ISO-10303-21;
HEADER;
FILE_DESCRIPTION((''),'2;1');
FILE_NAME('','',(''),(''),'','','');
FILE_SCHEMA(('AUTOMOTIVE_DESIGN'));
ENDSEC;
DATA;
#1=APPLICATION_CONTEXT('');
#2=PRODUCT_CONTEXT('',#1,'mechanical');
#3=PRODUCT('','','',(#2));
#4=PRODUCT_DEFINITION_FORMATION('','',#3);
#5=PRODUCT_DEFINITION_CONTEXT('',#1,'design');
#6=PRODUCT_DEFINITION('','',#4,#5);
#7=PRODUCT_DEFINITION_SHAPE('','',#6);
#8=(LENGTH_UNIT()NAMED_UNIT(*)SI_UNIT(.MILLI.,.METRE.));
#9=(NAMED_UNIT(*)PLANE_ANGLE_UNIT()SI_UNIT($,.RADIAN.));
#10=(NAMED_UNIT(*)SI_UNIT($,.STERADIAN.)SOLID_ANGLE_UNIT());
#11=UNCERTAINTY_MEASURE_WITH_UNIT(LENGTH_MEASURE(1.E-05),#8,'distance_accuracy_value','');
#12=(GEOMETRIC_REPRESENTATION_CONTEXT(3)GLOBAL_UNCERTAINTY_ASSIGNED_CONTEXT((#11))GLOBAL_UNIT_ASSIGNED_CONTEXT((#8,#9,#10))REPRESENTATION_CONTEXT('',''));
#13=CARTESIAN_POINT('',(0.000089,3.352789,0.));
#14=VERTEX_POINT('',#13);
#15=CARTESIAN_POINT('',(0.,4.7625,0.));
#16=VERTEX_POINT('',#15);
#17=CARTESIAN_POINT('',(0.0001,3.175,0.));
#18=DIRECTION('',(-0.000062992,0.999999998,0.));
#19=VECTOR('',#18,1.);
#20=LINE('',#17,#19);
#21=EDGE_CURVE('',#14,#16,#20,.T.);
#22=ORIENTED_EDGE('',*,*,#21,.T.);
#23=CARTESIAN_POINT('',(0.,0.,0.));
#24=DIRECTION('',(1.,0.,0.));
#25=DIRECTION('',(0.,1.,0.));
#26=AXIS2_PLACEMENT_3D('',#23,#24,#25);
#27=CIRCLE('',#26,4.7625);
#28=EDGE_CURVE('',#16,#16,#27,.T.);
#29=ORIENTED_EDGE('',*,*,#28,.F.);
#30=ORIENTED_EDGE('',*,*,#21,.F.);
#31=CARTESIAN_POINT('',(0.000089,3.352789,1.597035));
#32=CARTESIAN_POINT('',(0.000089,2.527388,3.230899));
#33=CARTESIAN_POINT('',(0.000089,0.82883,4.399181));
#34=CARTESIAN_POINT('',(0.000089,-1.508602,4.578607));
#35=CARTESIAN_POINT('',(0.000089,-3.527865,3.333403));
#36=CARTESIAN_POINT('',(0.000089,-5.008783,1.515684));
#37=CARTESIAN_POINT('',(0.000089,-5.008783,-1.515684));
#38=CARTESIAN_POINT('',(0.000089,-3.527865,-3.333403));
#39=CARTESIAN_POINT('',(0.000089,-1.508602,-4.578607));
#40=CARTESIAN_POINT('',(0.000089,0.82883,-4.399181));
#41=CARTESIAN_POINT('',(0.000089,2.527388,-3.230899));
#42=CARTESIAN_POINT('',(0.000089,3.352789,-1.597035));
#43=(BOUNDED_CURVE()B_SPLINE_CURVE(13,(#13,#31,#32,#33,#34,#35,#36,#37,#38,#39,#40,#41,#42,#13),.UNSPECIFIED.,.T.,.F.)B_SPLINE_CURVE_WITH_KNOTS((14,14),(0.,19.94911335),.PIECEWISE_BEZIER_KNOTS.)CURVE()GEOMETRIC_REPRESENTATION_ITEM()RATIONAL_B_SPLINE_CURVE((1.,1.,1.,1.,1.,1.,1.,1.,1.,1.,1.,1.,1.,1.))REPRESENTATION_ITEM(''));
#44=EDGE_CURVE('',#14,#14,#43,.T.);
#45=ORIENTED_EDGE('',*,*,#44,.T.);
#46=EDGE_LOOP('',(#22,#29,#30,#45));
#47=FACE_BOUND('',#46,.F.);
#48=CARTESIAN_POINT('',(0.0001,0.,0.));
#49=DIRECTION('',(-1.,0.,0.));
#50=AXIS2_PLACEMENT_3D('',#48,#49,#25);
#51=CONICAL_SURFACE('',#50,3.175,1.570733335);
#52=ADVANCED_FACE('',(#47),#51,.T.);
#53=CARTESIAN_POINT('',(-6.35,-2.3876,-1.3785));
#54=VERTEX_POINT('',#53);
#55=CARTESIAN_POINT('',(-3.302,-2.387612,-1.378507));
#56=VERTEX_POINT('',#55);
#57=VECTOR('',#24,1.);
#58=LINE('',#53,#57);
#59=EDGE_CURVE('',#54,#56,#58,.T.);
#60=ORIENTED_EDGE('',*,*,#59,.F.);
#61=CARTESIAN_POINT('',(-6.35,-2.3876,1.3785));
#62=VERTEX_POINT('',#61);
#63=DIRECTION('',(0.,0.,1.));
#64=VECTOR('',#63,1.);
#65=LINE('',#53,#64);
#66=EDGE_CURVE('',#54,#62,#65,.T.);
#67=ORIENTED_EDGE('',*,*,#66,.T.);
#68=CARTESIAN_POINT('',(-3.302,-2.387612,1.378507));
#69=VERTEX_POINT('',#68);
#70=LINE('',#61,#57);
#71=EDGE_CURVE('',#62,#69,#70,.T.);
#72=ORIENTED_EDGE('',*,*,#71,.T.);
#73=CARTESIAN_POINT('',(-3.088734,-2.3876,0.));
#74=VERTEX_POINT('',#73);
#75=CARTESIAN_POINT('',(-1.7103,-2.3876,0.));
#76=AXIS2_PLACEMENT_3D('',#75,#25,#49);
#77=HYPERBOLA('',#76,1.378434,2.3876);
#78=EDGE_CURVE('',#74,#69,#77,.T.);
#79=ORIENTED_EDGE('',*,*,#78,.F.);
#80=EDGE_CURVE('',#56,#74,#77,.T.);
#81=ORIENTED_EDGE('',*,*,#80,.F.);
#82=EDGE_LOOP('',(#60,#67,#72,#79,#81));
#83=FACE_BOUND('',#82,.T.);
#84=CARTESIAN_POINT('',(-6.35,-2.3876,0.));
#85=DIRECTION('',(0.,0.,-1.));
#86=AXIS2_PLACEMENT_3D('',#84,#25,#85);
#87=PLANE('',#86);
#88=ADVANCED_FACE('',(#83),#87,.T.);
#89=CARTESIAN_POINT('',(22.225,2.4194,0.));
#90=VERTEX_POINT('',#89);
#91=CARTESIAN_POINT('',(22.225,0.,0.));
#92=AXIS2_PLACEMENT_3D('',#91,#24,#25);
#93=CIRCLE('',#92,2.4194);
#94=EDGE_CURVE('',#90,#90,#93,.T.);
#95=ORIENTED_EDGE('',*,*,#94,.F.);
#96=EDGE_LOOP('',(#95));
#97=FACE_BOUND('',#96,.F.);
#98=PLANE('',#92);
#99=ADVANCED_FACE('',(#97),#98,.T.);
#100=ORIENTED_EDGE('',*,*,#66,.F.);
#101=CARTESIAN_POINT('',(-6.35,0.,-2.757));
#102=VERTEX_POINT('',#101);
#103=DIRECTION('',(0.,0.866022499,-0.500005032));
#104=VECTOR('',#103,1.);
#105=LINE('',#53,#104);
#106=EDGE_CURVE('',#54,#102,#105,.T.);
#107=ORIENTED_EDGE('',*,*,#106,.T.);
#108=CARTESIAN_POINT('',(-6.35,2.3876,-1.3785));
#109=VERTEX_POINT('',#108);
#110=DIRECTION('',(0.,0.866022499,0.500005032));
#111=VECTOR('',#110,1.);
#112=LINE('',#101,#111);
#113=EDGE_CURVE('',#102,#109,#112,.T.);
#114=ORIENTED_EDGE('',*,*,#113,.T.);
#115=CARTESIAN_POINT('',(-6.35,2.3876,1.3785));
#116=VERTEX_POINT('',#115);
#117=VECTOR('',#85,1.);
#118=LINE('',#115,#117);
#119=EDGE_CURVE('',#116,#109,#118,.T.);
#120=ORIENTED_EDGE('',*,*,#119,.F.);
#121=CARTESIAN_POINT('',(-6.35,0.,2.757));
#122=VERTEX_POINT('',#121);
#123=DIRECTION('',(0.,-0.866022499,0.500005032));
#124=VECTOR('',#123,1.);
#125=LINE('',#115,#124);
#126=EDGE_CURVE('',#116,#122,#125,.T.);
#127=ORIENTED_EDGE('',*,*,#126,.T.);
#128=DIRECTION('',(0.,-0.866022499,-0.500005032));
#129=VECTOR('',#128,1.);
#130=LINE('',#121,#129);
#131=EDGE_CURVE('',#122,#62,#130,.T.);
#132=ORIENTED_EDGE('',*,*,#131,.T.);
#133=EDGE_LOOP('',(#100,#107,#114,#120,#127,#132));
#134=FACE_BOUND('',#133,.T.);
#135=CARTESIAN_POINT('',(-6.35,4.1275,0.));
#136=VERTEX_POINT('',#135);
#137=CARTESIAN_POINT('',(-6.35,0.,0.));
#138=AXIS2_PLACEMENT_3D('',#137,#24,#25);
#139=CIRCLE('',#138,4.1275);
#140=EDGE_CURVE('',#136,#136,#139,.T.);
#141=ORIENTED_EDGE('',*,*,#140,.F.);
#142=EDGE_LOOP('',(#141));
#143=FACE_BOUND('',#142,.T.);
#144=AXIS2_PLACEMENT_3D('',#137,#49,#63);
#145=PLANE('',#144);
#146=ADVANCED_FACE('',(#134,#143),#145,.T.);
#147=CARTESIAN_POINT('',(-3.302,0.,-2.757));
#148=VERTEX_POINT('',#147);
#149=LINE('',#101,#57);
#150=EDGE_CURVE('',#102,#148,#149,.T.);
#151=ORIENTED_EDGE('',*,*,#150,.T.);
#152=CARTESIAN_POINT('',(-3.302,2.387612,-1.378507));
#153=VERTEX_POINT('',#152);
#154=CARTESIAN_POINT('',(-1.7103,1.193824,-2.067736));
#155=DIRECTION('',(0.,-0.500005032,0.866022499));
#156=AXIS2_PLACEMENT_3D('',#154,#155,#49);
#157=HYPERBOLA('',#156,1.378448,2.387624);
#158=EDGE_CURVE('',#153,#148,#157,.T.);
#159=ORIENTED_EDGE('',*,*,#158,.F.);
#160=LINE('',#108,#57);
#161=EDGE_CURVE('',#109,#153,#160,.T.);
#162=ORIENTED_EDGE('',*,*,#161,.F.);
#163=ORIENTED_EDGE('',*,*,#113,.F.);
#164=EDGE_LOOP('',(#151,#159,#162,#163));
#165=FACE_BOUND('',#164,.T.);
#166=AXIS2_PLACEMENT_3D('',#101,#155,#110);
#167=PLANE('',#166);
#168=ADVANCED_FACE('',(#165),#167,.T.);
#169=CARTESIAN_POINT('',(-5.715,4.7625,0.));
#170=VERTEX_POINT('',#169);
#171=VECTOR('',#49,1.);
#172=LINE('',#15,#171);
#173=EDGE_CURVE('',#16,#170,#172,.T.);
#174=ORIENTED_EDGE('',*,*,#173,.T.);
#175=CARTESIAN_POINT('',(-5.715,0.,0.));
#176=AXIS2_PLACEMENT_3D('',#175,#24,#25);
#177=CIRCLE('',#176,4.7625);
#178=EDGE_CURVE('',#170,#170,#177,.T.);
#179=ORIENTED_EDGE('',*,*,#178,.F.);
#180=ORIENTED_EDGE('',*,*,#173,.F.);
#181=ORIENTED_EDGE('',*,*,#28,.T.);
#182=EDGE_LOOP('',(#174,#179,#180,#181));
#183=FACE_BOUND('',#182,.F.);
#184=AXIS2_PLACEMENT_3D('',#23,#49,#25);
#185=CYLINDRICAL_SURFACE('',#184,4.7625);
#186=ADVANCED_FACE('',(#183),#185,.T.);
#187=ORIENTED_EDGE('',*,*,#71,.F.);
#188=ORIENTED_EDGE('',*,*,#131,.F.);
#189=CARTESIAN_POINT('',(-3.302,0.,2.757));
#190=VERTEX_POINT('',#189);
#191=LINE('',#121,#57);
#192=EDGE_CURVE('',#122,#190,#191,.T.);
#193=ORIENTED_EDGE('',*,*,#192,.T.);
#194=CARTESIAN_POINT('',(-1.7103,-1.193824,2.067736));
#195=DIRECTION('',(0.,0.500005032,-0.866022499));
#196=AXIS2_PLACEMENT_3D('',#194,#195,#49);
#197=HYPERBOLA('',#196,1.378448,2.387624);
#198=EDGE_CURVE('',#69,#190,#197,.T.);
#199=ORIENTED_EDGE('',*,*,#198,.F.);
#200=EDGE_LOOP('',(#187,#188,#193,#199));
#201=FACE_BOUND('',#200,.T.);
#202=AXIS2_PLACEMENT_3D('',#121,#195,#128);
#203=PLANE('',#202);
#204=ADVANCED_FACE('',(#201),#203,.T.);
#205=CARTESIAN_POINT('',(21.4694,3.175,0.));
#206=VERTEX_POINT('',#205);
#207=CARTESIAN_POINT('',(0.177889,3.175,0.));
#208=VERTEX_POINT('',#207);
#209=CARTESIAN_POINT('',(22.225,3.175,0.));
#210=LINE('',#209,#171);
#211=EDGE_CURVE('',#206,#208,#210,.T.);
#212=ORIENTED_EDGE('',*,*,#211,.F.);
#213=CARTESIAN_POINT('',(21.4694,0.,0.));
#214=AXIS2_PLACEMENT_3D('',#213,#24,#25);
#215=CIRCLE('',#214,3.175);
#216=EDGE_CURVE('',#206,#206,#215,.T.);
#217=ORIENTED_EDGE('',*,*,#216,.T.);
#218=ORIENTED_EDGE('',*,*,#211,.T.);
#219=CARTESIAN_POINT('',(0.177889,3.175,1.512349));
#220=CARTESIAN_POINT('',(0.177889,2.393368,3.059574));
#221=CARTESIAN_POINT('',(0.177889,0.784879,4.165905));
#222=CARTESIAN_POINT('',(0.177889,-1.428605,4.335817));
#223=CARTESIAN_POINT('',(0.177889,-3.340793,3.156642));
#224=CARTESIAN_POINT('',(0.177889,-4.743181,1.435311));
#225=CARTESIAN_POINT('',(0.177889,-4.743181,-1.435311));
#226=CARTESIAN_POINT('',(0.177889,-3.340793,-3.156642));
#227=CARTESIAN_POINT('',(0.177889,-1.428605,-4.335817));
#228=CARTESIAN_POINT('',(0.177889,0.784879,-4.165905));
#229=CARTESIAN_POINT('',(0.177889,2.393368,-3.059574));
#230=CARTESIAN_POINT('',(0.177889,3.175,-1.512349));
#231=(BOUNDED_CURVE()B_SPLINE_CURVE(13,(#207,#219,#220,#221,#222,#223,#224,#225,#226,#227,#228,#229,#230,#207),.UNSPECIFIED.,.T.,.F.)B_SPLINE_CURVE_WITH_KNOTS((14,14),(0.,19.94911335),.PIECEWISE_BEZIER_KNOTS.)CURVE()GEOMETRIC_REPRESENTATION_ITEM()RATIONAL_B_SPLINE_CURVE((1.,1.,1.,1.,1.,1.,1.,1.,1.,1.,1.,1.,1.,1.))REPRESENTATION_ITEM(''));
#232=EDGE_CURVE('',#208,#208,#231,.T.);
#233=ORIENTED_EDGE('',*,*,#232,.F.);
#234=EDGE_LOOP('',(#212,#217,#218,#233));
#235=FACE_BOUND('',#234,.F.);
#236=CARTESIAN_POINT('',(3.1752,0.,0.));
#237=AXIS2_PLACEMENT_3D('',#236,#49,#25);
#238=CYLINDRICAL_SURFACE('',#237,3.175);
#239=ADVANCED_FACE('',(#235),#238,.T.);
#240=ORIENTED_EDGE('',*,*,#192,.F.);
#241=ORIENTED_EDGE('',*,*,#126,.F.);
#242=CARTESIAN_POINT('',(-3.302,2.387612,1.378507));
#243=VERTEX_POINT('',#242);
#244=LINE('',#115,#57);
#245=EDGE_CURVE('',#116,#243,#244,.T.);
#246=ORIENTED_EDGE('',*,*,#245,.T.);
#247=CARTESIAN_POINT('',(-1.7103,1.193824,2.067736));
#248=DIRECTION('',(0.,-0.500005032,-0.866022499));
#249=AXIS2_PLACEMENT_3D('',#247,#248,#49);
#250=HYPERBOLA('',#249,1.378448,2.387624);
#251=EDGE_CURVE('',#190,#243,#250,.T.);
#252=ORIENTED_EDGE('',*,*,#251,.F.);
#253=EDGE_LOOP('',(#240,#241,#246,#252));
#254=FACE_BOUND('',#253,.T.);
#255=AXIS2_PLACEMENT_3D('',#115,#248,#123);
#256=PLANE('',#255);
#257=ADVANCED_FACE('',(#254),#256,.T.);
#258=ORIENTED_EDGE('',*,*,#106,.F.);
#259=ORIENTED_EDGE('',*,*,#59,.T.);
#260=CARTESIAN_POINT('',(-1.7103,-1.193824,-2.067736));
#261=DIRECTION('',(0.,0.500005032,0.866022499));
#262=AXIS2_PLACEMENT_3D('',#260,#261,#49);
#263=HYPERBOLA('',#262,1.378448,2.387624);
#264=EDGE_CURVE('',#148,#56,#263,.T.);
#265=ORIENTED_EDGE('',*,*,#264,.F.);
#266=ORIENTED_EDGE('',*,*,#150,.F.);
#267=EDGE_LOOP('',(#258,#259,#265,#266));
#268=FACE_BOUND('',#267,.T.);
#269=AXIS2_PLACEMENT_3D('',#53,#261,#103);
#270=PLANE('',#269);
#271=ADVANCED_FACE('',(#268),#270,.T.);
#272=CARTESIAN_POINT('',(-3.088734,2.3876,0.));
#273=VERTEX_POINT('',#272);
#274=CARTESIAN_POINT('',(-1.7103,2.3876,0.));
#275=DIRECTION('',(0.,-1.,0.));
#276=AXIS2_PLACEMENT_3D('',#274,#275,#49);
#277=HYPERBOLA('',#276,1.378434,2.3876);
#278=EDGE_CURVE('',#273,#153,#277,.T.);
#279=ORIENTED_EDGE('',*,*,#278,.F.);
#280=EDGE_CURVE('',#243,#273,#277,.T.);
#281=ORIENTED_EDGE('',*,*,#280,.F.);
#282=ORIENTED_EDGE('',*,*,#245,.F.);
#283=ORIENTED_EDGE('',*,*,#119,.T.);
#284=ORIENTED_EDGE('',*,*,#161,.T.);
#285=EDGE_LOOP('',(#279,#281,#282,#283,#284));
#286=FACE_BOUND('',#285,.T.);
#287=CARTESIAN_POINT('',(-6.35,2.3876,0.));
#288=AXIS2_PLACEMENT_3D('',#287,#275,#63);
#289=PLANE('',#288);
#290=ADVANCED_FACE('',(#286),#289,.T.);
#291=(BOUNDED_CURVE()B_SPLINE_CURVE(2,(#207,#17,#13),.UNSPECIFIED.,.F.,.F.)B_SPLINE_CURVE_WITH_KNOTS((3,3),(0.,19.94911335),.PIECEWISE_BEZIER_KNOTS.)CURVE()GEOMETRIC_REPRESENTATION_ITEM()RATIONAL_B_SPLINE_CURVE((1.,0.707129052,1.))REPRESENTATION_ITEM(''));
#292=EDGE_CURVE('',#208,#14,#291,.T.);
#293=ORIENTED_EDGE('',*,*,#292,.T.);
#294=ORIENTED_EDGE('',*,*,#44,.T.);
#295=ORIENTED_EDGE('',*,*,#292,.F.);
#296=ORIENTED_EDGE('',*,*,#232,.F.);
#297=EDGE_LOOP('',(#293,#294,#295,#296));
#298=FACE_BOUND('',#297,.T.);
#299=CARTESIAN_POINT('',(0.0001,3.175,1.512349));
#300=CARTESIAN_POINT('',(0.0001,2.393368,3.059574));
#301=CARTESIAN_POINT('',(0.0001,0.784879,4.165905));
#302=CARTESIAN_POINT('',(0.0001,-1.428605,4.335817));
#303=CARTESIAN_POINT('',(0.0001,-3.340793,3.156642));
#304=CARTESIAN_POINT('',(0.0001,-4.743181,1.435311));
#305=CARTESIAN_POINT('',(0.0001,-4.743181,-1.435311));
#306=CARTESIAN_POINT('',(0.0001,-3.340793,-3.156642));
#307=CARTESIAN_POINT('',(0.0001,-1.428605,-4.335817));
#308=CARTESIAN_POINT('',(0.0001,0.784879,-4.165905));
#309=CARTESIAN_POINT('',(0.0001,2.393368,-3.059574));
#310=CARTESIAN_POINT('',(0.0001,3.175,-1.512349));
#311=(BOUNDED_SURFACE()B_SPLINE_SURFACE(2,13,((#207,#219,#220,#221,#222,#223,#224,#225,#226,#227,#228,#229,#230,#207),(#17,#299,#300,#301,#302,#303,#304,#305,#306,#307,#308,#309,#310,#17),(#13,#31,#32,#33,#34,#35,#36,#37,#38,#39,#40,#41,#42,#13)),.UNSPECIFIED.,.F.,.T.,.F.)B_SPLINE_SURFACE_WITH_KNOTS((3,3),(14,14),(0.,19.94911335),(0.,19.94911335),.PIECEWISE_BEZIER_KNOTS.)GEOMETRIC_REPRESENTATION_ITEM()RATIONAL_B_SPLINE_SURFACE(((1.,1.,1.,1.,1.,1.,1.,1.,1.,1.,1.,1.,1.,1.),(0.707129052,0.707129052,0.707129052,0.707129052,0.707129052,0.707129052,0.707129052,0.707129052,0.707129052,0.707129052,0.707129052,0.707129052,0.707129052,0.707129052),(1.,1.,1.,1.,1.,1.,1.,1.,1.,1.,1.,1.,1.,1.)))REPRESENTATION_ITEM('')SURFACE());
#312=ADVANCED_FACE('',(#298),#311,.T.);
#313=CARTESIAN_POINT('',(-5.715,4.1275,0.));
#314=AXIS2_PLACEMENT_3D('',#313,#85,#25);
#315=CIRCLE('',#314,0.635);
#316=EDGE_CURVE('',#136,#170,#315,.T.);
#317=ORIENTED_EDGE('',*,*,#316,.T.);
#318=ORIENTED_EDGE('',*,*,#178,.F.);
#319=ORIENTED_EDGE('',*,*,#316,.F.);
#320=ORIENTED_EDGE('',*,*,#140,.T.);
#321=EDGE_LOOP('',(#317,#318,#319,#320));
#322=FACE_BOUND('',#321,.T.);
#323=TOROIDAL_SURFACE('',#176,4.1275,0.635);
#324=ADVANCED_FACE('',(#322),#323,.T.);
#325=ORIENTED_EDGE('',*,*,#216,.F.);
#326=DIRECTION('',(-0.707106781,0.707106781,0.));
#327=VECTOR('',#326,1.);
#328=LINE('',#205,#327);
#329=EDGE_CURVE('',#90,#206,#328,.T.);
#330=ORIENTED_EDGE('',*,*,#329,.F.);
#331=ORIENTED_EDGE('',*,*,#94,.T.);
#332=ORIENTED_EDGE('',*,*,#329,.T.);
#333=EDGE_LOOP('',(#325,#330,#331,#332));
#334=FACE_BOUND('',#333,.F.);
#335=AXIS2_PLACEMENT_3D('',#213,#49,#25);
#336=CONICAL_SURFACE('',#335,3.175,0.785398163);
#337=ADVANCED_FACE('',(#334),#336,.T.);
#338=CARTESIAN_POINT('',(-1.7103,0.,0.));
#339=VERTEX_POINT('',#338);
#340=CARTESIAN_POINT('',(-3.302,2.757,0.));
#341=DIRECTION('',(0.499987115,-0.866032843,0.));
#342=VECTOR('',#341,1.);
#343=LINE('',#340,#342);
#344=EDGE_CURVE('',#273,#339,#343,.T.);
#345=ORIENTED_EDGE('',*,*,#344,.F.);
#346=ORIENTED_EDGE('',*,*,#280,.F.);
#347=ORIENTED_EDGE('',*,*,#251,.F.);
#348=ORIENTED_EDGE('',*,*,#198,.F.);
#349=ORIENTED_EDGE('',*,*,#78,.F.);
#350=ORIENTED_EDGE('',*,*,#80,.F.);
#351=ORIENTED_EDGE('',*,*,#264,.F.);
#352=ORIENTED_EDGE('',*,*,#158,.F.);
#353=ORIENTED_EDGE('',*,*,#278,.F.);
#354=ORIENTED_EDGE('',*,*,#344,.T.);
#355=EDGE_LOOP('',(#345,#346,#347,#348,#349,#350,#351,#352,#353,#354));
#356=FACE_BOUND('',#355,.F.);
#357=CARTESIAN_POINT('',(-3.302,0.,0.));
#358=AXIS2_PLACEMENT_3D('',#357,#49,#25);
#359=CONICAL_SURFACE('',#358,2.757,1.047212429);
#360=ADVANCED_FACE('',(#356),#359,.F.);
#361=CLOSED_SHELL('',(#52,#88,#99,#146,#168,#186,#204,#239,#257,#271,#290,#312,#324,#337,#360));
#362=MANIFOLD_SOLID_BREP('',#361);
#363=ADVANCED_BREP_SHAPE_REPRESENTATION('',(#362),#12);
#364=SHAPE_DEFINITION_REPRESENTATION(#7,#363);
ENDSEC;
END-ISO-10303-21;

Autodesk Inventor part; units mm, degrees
ref_plane "YZ Plane" through (0, 0, 0) normal (1, 0, 0) x (0, 1, 0)
ref_plane "XZ Plane" through (0, 0, 0) normal (0, 1, 0) x (-1, 0, 0)
sketch "Sketch1" plane through (0, 0, 0) normal (0, 0, 1) x (1, 0, 0)
  line L0 (-1.7103, 0) -> (22.225, 0)
  line L1 (22.225, 0) -> (22.225, 3.175)
  line L2 (22.225, 3.175) -> (3.1752, 3.175)
  line L3 (3.1752, 3.175) -> (0.0001, 3.175)
  line L4 (0.0001, 3.175) -> (0, 3.175)
  line L5 (0, 3.175) -> (0, 4.7625)
  line L6 (0, 4.7625) -> (-6.35, 4.7625)
  line L7 (-6.35, 4.7625) -> (-6.35, 2.757)
  line L8 (-6.35, 2.757) -> (-3.302, 2.757)
  line L9 (-3.302, 2.757) -> (-1.7103, 0)
  line L10 (-12.065, 0) -> (27.94, 0) projected
  line L11 (0, -0.9525) -> (0, 5.715) projected
  line L12 (3.1752, 3.175) -> (0, 3.175) construction
  dimension "d1" = 19.0498
  dimension "d2" = 3.1751
  dimension "d3" = 6.35
  dimension "d4" = 3.048
  dimension "d5" = 60
  dimension "d6" = 6.35
  dimension "d7" = 6.35
  dimension "d8" = 5.5139
  dimension "d9" = 9.525
  dimension "d26" = 22.225
revolve "Body" add sketch "Sketch1" angle 360 about axis through (-1.7103, 0, 0) along (1, 0, 0)
sketch "Sketch2" plane through (-6.35, 0, 0) normal (-1, 0, 0) x (0, 0, 1)
  circle A0 centre (0, 0) radius 2.757 projected
  line L0 (0, -6.6675) -> (0, 6.6675) projected
  line L1 (-6.6675, 0) -> (6.6675, 0) projected
  line L2 (2.757, 0) -> (1.3785, -2.3876)
  line L3 (1.3785, -2.3876) -> (-1.3785, -2.3876)
  line L4 (-1.3785, -2.3876) -> (-2.757, 0)
  line L5 (-2.757, 0) -> (-1.3785, 2.3876)
  line L6 (-1.3785, 2.3876) -> (1.3785, 2.3876)
  line L7 (1.3785, 2.3876) -> (2.757, 0)
extrude "Slot" add sketch "Sketch2" against normal up to next contours L7 A0 | A0 L2 | L6 L0 A0 | A0 L0 L3 | L0 L6 A0 | A0 L3 L0 | L4 A0 | A0 L5
fillet "Fillet1" radius 0.635 1 edges at (-6.35, -4.7625, 0)
thread "Thread" size "1/4-20 UNC" class "2A" standard "ANSI Unified Screw Threads" length 19.0498
chamfer "Chamfer1" distance 0.7556 distance2 0.7556 1 edges at (22.225, -3.175, 0) measured on face at (22.225, 1.0276, 1.1503)
ref_plane "Work Plane1" through (29, 0, 0) normal (0, -1, 0) x (1, 0, 0)
fillet "Fillet2" radius 0.1778 1 edges at (0.0001, -3.175, 0)
equation "\"d1\" = GEL"
equation "\"d3\" = KOH"
equation "\"d4\" = INTI"
equation "\"d6\" = GD"
equation "\"d7\" = BDM"
equation "\"d8\" = 1.1547 * SW"
equation "\"d9\" = KOD"
equation "\"d26\" = NLG"
equation "\"d30\" = R"
equation "\"d17\" = RR"
equation "\"d13\" = GEL"
equation "\"d15\" = -0.5 * SPD + 0.5 * GD"
equation "\"d16\" = GUL"
equation "\"GD\" = 6.35"
equation "\"NLG\" = 22.225"
equation "\"GEL\" = 19.0498"
equation "\"KOD\" = 9.525"
equation "\"KOH\" = 6.35"
equation "\"INTI\" = 3.048"
equation "\"GAL\" = 3.175"
equation "\"GUL\" = 0.75565"
equation "\"BDM\" = 6.35"
equation "\"SW\" = 4.7752"
equation "\"RR\" = 0.635"
equation "\"SPD\" = 4.8387"
equation "\"R\" = 0.1778"
equation "\"PHH\" = 0.2032"
equation "\"GD1\" = SPD"
equation "\"THREADDIA\" = 6.35"
equation "\"FAWI\" = 45deg"
equation "\"KOH1\" = 5.715"
equation "\"NND\" = 6.35"
equation "\"TOA\" = 30deg"
equation "\"E0\" = 1.155 * SW"
properties part number "ANSI B18.3 - 1/4 - 20 UNC - 7/8 HS HCS" material "Steel, Mild"
